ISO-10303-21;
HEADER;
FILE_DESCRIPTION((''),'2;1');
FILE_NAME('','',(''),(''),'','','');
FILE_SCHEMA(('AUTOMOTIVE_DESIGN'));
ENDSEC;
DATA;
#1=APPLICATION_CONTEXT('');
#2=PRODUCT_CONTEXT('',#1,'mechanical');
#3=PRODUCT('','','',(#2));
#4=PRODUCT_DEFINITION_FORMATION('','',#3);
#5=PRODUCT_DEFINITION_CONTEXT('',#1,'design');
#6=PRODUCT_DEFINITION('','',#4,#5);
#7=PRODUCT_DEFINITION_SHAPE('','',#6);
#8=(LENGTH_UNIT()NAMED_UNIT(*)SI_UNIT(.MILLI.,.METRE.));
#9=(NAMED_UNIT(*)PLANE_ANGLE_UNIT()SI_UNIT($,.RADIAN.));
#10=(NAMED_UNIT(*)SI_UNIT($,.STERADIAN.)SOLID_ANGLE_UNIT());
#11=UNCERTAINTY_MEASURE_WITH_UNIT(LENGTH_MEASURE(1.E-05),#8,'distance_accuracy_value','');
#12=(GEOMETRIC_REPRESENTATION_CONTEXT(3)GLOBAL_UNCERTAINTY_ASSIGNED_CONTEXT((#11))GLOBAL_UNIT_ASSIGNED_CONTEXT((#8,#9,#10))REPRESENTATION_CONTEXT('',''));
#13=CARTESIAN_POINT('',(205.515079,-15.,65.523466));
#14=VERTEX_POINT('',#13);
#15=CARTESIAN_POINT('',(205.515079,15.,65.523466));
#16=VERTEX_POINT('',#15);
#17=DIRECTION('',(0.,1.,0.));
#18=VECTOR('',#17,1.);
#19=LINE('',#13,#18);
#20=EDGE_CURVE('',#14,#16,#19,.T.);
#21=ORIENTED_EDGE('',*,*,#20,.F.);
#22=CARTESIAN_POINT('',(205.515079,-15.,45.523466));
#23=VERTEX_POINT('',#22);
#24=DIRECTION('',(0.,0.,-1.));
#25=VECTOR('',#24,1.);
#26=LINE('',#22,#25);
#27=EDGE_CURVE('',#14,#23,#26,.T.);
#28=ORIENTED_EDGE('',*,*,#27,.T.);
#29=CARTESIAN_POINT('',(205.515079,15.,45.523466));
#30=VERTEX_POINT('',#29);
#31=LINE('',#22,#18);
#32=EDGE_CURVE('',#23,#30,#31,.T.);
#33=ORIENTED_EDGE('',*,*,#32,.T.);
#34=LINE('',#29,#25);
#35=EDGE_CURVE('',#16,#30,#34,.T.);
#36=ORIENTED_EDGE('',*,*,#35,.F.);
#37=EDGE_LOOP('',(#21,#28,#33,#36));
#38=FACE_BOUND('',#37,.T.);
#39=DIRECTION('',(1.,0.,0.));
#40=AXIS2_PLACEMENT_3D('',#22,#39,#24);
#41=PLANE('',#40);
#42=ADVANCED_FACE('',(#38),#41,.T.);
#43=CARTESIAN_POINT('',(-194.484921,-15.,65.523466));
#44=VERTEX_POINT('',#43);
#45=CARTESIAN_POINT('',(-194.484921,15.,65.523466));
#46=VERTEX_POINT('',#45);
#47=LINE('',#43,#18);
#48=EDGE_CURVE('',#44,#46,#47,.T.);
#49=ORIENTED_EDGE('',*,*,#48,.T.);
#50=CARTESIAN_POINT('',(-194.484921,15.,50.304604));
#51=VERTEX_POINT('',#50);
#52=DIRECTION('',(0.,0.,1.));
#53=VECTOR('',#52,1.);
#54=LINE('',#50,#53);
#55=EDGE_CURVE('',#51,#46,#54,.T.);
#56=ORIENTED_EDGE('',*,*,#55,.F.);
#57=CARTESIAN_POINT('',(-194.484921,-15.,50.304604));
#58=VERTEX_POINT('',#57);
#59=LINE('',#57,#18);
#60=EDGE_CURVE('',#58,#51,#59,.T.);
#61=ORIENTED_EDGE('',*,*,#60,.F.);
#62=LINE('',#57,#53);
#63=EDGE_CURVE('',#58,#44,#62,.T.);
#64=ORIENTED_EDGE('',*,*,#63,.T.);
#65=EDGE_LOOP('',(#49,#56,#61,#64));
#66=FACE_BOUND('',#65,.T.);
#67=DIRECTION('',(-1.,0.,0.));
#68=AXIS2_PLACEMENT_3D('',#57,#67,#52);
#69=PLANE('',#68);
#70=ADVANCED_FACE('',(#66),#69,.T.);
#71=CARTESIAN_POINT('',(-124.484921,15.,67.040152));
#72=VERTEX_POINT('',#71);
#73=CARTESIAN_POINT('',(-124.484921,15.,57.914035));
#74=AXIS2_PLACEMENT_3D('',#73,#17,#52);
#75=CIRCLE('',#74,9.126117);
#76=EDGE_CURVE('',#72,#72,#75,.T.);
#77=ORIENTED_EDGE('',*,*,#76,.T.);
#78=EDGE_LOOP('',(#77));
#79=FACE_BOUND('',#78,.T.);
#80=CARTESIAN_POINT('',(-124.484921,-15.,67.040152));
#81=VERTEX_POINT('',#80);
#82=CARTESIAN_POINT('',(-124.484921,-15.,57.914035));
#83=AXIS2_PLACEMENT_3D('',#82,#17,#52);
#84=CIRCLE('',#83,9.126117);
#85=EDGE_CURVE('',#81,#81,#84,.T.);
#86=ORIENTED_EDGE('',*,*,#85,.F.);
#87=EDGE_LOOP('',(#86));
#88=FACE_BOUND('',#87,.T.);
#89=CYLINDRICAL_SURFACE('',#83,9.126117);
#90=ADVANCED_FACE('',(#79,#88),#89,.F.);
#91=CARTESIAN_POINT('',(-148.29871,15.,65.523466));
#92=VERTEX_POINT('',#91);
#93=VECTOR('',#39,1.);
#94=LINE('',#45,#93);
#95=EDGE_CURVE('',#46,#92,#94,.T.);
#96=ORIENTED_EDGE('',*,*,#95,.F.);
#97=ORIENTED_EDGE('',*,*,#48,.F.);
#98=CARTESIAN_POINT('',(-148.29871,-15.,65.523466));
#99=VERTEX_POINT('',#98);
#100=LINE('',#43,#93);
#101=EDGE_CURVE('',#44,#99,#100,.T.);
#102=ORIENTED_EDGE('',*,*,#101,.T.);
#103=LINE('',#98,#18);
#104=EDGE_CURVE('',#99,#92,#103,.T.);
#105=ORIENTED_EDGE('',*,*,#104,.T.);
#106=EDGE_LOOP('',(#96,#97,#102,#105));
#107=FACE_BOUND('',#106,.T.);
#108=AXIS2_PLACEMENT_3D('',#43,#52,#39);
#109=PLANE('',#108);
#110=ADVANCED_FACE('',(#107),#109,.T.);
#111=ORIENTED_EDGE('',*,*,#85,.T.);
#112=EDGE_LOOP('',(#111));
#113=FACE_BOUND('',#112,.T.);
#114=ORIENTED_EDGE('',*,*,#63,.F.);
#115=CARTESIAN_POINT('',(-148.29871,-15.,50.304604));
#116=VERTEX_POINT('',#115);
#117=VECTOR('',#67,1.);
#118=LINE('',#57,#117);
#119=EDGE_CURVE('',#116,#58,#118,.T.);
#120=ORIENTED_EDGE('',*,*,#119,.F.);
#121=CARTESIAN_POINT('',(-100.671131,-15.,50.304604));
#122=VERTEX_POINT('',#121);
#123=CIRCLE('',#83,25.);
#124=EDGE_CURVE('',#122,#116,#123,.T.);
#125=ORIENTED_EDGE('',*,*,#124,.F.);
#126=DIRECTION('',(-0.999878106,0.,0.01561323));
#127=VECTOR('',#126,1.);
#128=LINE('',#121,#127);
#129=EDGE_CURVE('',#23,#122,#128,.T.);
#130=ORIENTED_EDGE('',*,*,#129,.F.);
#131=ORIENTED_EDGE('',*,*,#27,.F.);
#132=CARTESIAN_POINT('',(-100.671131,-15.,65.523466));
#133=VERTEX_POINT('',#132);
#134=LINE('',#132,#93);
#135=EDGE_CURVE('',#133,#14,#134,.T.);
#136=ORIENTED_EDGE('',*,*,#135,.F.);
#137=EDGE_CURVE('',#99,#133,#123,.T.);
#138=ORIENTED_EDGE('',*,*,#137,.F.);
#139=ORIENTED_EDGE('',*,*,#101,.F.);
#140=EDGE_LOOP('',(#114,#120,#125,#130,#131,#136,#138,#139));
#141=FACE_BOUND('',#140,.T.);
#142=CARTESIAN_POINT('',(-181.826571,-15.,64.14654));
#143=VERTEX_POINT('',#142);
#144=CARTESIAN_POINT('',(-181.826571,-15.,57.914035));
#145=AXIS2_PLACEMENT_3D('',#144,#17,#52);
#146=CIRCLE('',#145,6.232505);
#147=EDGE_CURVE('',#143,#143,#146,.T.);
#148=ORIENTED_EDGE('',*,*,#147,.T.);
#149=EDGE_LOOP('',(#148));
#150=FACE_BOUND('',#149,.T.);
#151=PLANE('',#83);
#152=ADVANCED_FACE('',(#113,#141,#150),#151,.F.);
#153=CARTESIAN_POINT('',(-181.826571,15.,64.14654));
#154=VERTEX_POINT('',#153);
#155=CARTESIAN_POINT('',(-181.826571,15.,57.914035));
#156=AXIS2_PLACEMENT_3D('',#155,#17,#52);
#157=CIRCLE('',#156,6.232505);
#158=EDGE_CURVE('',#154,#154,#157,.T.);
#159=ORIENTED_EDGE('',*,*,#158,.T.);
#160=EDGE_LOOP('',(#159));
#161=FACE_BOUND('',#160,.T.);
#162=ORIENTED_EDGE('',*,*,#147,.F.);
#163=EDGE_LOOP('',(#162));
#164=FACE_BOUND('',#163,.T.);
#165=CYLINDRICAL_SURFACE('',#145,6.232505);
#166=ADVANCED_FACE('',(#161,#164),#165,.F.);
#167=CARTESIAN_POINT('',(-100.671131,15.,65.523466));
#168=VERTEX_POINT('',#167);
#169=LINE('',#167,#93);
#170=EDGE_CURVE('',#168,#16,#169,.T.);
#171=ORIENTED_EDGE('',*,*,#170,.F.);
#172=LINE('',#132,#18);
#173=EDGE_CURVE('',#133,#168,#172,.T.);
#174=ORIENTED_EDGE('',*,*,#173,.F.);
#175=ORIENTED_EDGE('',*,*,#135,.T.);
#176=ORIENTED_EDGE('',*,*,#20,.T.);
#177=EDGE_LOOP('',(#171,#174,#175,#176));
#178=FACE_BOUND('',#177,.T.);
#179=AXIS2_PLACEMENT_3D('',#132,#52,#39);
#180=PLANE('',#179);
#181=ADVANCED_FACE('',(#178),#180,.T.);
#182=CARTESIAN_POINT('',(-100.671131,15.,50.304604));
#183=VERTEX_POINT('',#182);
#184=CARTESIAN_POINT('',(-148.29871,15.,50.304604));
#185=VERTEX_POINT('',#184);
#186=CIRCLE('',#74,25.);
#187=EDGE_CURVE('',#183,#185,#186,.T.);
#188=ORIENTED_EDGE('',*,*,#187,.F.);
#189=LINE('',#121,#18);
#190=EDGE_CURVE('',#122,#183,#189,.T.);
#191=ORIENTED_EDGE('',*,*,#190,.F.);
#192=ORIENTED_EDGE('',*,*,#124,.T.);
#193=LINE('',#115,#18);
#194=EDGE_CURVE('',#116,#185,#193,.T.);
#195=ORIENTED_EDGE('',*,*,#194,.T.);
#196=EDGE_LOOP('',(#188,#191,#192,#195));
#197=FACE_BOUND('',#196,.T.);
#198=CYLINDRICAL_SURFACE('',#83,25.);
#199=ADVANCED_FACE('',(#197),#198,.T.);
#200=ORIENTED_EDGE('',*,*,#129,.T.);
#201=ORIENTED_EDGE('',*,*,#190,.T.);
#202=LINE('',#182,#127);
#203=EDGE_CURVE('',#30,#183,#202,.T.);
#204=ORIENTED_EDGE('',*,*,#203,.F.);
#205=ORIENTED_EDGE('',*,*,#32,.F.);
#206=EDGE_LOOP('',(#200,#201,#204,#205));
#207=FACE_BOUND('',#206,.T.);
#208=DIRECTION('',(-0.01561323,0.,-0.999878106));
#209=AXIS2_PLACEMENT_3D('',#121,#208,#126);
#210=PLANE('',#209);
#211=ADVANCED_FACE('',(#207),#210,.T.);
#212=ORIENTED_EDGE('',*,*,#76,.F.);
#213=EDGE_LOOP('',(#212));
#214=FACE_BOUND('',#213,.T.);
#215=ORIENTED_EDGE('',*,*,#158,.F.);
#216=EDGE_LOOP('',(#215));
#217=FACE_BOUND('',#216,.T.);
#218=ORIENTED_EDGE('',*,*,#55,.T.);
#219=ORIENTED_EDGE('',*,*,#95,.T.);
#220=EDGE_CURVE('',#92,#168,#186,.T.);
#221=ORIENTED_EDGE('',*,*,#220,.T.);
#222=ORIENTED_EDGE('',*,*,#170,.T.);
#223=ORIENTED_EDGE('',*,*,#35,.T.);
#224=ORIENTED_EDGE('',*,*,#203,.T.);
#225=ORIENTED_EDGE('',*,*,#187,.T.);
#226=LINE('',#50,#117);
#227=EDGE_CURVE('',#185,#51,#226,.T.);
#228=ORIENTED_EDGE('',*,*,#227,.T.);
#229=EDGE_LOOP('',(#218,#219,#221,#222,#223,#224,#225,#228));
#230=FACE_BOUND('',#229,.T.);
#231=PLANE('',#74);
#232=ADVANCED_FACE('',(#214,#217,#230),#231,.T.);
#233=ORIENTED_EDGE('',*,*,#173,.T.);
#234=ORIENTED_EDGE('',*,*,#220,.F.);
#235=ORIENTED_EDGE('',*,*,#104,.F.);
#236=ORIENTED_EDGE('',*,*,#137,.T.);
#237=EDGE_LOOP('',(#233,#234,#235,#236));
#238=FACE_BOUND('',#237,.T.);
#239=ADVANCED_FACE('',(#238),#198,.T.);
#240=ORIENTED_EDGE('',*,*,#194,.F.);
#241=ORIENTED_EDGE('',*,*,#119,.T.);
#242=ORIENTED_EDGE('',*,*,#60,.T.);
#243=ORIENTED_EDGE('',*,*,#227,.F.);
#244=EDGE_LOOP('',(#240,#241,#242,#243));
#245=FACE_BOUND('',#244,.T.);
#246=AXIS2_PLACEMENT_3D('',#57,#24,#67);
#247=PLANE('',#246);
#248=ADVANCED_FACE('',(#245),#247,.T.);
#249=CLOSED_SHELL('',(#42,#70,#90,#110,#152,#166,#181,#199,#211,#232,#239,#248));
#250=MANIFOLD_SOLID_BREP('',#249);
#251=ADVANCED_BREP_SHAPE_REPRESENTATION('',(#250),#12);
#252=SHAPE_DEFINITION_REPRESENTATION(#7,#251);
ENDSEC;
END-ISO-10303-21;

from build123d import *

# Parameters (mm, degrees)
BOSS_EXTRUDE1_DEPTH      = 15
BOSS_EXTRUDE1_DEPTH_BACK = 15
SKETCH1_R                = 9.12611675
SKETCH1_R_2              = 6.232505418


with BuildPart() as part:
    # Sketch1 → Boss-Extrude1 (new, two sides: drawn at the far end of the back side and taken through both)
    with BuildSketch(Plane(origin=(0, 0, 0), x_dir=(1, 0, 0), z_dir=(0, 1, 0)).offset(-BOSS_EXTRUDE1_DEPTH_BACK)):
        with BuildLine():
            Line((-194.484920724, -50.304604359), (-148.298710109, -50.304604359))
            ThreePointArc((-148.298710109, -50.304604359), (-124.484920724, -32.914035031), (-100.67113134, -50.304604359))
            Line((-100.67113134, -50.304604359), (205.515079276, -45.523465704))
            Line((205.515079276, -45.523465704), (205.515079276, -65.523465704))
            Line((205.515079276, -65.523465704), (-100.67113134, -65.523465704))
            ThreePointArc((-100.67113134, -65.523465704), (-124.484920724, -82.914035031), (-148.298710109, -65.523465704))
            Line((-148.298710109, -65.523465704), (-194.484920724, -65.523465704))
            Line((-194.484920724, -65.523465704), (-194.484920724, -50.304604359))
        make_face()
        with Locations((-124.484920724, -57.914035031)):
            Circle(SKETCH1_R, mode=Mode.SUBTRACT)
        with Locations((-181.826571095, -57.914035031)):
            Circle(SKETCH1_R_2, mode=Mode.SUBTRACT)
    extrude(amount=BOSS_EXTRUDE1_DEPTH + BOSS_EXTRUDE1_DEPTH_BACK)


solid = part.part
